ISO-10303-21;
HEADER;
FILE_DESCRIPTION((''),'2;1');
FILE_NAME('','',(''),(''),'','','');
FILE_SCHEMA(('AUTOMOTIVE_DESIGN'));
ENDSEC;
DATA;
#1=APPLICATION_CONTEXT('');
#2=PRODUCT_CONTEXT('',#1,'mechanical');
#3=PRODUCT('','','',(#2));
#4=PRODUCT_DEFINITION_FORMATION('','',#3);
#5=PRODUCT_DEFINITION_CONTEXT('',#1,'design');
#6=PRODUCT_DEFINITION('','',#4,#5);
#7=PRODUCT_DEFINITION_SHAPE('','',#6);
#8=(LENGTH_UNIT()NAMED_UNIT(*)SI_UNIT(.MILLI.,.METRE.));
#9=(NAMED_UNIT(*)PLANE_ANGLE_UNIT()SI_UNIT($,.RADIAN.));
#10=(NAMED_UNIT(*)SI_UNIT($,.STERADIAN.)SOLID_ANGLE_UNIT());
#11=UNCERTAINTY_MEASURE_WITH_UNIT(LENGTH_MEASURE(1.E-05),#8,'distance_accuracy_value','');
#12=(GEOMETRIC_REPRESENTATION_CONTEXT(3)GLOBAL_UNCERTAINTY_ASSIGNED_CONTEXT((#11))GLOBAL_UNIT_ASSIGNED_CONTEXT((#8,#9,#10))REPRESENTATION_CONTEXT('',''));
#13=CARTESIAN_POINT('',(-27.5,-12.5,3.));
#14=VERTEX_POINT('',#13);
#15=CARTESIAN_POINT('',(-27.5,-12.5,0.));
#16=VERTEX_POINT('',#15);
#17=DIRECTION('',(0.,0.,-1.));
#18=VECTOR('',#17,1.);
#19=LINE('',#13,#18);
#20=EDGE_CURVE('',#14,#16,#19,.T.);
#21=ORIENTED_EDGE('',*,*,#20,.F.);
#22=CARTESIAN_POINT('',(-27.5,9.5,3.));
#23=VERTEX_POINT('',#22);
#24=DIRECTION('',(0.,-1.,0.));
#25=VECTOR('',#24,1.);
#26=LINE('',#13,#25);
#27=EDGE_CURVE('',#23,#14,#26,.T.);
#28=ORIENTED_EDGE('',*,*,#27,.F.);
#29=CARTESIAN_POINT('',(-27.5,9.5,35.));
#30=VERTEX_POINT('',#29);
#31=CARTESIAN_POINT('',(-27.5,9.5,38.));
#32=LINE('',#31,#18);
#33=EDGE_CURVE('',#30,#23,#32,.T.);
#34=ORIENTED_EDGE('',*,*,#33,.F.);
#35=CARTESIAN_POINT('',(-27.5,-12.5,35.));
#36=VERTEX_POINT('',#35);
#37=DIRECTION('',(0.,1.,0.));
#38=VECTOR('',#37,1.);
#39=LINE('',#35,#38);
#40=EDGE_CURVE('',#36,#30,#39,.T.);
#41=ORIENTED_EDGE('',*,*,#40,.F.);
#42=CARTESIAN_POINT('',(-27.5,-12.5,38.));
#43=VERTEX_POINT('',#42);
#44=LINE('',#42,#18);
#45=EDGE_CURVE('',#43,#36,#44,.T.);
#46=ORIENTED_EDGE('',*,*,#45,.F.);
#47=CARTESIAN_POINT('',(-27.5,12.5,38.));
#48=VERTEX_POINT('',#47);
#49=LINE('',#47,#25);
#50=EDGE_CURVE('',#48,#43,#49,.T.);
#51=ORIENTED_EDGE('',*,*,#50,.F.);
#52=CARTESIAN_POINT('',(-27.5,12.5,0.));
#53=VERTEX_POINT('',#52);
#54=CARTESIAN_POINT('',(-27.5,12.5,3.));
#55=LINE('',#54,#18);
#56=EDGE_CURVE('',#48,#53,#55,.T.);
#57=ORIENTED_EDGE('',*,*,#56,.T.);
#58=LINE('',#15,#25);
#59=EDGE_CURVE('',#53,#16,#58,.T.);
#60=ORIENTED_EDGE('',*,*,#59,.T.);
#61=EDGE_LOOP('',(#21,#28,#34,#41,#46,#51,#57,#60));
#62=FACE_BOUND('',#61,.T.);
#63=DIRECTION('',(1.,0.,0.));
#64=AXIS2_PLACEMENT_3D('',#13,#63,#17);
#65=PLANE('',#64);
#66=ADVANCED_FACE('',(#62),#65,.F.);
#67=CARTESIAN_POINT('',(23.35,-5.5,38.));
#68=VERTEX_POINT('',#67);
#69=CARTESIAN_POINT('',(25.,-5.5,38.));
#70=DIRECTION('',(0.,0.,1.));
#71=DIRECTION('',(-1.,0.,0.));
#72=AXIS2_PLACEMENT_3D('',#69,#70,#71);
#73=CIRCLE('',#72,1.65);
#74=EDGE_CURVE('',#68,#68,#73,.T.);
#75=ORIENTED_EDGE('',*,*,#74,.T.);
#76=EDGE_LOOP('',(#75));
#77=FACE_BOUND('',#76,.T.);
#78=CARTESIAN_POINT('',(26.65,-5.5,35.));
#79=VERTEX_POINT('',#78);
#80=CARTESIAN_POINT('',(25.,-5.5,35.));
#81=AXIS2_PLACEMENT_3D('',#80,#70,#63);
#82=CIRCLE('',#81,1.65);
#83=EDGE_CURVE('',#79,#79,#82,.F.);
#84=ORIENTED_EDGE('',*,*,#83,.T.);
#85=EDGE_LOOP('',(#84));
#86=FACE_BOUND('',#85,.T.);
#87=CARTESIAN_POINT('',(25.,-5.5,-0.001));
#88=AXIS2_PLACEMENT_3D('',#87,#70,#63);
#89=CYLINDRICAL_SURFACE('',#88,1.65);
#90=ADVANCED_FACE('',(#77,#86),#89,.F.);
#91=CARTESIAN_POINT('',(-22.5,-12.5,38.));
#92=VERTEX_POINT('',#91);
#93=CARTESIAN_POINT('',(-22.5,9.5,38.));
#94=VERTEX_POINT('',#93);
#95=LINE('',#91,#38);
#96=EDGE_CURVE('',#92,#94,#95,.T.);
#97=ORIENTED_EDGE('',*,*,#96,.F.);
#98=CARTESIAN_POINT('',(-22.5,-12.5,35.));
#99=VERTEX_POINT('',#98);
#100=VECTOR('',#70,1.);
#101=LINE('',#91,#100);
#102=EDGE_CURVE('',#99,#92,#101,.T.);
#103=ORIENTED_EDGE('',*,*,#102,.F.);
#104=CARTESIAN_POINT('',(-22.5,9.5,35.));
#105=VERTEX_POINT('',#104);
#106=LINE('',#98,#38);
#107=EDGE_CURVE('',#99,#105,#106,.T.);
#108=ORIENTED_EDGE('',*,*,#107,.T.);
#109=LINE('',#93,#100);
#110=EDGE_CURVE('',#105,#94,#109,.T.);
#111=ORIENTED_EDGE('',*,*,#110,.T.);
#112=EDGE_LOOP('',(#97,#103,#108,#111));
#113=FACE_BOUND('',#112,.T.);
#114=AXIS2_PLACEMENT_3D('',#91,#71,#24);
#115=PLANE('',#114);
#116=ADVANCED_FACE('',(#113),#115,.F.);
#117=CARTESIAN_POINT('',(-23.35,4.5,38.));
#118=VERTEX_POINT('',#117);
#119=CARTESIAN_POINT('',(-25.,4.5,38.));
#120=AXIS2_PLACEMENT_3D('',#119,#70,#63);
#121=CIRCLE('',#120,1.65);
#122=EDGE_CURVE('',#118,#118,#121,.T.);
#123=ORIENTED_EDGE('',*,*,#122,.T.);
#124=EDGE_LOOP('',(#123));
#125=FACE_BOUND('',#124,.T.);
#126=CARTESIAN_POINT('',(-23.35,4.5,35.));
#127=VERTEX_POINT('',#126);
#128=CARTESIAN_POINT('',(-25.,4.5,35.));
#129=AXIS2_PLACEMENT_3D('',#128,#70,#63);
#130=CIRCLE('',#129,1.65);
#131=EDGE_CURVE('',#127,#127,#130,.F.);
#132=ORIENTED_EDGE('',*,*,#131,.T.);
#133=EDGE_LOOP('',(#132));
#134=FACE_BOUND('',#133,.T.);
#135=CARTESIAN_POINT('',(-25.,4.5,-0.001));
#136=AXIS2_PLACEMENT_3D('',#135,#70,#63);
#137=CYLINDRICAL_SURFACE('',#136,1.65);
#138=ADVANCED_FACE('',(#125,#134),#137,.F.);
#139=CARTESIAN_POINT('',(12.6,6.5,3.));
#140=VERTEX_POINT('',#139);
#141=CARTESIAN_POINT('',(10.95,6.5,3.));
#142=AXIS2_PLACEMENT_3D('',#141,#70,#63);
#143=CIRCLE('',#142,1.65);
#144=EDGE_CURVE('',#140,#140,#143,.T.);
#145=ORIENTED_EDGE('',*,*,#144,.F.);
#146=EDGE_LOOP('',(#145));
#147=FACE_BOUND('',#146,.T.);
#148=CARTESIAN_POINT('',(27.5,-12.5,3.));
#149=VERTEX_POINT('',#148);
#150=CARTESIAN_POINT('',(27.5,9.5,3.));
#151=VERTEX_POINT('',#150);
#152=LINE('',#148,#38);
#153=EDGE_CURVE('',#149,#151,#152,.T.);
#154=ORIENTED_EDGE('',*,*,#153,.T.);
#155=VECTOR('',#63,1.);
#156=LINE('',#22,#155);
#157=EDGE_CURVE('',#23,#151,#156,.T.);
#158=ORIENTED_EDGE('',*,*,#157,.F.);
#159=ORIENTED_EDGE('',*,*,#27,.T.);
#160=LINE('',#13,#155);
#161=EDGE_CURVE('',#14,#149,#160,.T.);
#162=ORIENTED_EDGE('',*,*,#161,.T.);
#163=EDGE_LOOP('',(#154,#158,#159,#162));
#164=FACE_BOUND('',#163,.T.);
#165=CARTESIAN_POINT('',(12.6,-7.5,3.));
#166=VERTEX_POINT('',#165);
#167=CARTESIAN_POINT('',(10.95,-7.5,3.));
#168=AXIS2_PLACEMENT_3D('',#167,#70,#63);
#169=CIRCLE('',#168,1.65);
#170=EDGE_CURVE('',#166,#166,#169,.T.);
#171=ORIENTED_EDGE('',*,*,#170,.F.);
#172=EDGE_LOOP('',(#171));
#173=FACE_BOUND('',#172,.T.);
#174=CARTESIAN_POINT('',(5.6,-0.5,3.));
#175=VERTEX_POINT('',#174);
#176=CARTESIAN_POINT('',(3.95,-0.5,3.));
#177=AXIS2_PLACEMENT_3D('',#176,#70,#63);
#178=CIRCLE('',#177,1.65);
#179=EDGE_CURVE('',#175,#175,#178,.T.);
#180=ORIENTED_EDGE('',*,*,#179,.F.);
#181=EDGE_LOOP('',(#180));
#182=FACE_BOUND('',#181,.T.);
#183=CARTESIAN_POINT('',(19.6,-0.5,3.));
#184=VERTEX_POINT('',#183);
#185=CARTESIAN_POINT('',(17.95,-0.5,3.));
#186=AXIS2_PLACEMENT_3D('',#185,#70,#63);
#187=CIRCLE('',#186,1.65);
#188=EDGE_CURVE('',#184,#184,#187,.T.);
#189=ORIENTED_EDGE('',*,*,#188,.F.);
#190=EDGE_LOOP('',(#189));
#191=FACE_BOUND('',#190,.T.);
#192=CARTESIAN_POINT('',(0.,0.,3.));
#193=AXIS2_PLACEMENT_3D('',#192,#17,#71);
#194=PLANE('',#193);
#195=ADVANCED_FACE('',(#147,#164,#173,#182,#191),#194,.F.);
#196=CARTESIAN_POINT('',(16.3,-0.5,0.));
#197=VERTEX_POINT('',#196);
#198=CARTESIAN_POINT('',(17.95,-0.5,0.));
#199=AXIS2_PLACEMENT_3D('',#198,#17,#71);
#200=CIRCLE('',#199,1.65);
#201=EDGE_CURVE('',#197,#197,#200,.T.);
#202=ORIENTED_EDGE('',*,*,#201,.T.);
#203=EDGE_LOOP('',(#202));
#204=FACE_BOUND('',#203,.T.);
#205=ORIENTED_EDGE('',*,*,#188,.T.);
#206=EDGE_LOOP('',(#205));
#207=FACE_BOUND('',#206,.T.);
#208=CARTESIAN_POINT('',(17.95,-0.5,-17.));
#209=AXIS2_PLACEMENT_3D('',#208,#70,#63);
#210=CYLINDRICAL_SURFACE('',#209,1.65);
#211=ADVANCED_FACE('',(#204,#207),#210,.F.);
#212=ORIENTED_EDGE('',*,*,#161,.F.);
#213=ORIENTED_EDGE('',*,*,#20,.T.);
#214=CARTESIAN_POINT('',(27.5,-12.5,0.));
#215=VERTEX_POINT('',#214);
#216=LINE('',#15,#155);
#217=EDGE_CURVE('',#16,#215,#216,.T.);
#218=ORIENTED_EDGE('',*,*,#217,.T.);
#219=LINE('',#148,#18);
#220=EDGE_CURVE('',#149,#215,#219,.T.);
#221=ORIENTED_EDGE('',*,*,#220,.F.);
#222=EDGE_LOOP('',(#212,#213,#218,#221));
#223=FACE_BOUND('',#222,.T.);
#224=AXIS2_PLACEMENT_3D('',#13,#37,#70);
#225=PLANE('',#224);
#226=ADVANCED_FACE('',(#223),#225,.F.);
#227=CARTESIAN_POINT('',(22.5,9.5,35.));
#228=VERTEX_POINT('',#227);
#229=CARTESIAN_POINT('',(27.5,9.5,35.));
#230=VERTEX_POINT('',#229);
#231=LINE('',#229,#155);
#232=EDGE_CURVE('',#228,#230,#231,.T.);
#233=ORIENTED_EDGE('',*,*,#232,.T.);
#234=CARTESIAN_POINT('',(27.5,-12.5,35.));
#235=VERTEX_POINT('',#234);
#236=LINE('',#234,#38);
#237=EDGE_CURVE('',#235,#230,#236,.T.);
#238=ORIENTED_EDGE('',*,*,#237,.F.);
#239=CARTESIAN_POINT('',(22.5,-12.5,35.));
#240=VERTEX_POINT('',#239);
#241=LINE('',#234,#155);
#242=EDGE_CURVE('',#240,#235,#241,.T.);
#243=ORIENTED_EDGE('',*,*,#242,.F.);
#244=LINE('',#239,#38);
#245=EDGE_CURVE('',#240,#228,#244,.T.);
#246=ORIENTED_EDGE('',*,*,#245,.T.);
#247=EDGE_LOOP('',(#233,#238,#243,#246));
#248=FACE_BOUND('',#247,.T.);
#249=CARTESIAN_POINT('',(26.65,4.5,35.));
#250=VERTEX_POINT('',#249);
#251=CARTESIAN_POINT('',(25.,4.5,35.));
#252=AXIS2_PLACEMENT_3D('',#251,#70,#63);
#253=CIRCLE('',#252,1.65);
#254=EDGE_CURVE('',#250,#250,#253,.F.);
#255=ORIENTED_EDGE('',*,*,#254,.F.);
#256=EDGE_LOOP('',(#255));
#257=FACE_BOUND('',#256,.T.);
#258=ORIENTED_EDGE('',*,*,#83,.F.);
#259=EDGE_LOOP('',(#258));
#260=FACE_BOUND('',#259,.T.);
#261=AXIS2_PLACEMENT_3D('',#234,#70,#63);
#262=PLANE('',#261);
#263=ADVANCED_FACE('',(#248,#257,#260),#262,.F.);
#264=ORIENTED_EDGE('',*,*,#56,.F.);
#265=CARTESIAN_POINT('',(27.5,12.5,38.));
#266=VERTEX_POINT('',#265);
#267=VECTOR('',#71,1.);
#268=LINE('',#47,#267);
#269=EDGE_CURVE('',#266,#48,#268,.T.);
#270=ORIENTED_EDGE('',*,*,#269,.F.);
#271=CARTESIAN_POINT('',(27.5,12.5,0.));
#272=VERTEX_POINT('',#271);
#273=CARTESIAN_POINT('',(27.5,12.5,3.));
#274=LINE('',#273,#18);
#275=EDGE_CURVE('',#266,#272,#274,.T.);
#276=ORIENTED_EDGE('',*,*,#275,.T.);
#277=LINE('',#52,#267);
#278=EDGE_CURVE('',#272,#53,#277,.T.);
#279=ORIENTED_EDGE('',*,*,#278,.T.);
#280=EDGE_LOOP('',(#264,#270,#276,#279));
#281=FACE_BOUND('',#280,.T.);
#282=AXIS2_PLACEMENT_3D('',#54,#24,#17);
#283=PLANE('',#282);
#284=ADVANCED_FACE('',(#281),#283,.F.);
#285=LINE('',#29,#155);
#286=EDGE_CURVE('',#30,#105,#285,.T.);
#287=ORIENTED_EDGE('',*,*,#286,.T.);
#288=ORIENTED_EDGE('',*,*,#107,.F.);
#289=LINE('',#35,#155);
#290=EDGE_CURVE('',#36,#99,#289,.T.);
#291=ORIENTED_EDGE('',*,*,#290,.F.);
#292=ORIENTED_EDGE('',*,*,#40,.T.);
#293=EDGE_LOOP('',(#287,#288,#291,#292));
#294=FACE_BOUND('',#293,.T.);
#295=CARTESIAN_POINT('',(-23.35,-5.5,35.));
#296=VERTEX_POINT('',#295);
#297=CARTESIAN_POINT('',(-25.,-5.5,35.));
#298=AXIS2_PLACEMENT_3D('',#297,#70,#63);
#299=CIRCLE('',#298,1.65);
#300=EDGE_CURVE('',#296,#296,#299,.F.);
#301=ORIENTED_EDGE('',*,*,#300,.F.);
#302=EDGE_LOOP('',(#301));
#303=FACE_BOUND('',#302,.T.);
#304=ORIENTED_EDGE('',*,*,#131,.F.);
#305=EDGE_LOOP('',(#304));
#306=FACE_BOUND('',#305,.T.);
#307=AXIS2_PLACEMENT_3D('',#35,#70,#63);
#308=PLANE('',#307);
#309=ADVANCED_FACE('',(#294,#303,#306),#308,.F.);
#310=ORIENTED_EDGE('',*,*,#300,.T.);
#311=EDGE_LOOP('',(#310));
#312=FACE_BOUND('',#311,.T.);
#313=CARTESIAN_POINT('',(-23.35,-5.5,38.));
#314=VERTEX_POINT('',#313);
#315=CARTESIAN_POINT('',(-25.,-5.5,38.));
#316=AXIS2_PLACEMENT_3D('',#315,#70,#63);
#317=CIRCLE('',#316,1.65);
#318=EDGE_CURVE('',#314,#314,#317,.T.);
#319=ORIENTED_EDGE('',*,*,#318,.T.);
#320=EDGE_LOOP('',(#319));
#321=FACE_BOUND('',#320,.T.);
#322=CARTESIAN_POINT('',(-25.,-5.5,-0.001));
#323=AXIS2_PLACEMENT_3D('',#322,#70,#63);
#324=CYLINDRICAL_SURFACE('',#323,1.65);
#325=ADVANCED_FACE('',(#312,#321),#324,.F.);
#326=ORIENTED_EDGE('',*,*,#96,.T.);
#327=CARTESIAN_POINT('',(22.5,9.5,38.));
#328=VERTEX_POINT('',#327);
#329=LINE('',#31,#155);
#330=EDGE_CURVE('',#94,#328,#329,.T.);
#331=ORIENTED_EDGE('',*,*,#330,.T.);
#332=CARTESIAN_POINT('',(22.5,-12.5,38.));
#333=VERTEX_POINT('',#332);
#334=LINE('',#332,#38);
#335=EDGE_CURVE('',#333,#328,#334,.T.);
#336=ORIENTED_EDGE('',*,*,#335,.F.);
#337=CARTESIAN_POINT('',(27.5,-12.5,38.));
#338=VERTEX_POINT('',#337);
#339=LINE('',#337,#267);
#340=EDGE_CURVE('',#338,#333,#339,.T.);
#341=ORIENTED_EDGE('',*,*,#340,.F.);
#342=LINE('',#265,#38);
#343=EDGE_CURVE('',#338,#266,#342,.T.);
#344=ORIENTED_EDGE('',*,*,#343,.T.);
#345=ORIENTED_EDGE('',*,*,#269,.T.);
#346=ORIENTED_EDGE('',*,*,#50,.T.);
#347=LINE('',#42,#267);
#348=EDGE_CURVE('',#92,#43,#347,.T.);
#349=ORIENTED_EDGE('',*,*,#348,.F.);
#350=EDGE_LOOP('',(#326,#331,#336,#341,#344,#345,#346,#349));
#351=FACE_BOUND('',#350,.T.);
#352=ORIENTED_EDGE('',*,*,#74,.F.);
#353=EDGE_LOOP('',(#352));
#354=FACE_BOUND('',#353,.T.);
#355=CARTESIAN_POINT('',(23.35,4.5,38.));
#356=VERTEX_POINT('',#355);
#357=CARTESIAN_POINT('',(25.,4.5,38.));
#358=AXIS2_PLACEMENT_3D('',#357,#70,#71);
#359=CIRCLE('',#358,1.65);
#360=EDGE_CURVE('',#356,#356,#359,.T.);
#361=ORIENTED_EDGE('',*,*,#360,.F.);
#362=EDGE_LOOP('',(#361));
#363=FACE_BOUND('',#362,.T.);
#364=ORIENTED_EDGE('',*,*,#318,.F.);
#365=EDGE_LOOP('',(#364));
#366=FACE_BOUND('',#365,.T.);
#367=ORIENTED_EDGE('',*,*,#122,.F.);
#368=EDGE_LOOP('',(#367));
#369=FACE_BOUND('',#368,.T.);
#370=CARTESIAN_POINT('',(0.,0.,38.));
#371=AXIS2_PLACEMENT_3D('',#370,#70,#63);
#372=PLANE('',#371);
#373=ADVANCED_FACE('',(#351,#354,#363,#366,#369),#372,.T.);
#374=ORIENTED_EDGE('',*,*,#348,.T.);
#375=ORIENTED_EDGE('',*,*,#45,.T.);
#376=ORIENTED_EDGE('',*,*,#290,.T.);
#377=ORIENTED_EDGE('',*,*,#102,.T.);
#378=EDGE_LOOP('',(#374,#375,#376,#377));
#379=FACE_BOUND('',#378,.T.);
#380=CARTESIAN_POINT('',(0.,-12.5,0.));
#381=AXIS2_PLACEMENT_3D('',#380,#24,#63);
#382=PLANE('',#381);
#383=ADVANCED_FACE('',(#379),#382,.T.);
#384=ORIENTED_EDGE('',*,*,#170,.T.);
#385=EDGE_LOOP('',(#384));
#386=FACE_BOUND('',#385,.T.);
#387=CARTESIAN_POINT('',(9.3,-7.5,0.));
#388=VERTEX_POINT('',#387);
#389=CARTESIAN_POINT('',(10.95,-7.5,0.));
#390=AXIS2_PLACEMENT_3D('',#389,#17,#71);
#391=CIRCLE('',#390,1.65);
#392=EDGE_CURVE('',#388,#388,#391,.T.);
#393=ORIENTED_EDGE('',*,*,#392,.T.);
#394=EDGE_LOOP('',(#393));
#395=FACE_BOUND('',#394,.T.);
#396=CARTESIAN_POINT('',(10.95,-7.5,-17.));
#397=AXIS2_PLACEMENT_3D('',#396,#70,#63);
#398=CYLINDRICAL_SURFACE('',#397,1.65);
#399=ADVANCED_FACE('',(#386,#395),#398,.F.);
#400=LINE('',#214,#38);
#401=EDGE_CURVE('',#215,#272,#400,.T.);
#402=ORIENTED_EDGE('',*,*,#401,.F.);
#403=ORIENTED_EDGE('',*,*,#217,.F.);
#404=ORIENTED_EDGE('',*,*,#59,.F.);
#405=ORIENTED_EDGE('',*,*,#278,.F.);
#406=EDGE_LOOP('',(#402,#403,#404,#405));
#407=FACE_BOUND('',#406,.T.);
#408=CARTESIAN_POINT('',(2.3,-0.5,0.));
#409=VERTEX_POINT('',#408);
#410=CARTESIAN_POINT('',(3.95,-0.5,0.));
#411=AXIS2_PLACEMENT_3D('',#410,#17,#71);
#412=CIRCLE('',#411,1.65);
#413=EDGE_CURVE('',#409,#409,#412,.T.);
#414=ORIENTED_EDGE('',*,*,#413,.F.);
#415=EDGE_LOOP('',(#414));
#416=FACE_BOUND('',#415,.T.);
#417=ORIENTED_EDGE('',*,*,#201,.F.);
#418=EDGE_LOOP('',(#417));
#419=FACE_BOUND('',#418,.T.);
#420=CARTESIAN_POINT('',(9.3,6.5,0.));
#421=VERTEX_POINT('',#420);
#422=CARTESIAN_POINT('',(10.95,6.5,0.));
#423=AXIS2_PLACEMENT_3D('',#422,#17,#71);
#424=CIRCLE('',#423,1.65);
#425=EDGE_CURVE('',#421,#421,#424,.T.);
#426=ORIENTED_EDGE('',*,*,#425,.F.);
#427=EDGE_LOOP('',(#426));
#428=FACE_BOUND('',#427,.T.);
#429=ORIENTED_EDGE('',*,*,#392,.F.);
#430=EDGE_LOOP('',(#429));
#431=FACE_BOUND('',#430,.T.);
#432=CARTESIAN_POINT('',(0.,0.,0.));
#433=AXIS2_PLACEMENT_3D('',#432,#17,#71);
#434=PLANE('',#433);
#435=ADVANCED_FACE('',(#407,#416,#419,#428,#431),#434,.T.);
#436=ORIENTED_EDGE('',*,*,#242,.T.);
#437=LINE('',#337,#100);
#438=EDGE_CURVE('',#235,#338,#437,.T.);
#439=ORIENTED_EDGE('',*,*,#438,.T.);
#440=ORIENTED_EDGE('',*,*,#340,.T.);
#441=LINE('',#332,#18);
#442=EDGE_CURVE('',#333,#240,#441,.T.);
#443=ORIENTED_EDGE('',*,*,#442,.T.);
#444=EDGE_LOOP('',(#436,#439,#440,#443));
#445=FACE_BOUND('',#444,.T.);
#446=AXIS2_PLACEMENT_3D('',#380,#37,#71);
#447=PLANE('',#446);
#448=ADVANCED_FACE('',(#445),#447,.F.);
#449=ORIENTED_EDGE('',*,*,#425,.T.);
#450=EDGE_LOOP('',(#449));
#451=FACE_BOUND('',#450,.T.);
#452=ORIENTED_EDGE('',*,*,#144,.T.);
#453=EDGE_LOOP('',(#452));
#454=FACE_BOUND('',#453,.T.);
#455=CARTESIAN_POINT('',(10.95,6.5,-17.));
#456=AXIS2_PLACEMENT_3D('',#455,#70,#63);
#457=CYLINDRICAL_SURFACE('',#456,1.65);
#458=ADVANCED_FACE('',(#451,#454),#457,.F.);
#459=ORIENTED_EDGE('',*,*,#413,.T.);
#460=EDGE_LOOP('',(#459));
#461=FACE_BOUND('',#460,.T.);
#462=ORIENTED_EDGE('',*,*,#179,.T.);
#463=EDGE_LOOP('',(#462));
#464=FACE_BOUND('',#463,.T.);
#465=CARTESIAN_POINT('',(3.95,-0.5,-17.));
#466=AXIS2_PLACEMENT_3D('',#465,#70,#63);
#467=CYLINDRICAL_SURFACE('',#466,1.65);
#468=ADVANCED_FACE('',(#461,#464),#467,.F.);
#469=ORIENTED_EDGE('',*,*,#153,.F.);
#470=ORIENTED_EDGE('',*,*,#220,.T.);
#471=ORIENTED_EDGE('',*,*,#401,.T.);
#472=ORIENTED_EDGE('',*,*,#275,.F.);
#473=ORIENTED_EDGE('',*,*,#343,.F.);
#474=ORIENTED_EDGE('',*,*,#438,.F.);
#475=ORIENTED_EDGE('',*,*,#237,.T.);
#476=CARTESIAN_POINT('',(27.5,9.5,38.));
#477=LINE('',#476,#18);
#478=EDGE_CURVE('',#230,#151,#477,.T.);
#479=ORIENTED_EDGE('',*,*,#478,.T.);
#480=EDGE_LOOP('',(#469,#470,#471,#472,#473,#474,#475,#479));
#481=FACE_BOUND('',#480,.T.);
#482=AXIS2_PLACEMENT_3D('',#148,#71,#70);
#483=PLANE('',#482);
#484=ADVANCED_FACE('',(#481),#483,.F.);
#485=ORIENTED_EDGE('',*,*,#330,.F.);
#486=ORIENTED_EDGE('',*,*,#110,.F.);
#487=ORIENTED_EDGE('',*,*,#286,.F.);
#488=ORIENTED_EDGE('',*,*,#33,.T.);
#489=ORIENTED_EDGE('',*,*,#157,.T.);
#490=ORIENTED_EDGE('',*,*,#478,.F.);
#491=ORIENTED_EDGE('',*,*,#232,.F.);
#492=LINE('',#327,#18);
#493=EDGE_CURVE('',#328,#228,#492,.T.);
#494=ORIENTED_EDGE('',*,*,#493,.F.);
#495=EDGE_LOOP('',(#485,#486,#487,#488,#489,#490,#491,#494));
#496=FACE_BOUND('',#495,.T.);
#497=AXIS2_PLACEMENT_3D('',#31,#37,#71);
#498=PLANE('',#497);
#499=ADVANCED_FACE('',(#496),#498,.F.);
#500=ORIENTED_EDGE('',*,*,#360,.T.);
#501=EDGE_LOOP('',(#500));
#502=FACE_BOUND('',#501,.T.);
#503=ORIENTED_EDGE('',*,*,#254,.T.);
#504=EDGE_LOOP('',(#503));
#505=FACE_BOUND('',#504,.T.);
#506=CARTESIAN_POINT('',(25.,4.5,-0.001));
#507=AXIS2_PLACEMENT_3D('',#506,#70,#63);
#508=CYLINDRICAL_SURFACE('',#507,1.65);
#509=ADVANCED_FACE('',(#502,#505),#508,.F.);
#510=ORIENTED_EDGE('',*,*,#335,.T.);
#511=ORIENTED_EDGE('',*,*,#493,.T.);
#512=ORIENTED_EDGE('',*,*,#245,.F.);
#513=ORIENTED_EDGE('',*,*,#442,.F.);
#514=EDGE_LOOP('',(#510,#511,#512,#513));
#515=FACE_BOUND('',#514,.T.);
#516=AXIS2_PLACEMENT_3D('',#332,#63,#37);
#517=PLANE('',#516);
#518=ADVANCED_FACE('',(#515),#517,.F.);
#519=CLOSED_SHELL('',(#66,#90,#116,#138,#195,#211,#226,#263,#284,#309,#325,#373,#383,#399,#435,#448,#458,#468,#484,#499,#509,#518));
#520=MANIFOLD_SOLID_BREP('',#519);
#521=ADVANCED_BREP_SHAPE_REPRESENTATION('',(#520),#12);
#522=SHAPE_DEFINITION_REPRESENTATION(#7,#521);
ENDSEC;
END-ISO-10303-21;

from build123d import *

# Parameters (mm, degrees)
SKETCH_1_W          = 55
SKETCH_1_H          = 25
EXTRUDE_1_DEPTH     = 3
SKETCH_2_W          = 55
SKETCH_2_H          = 3
EXTRUDE_2_DEPTH     = 35
SKETCH_3_W          = 5
SKETCH_3_H          = 3
EXTRUDE_3_DEPTH     = 22
CUT_EXTRUDE_1_REACH = 50.544
SKETCH_4_R          = 1.65
SKETCH_7_R          = 1.65
CUT_EXTRUDE_2_DEPTH = 20


with BuildPart() as part:
    # 草图1 → 凸台-拉伸1 (new body)
    with BuildSketch(Plane.XY):
        Rectangle(SKETCH_1_W, SKETCH_1_H)
    extrude(amount=EXTRUDE_1_DEPTH)

    # 草图2 → 凸台-拉伸2 (add)
    with BuildSketch(Plane.XY.offset(3)):
        with Locations((0, 11)):
            Rectangle(SKETCH_2_W, SKETCH_2_H)
    extrude(amount=EXTRUDE_2_DEPTH)

    # 草图3 → 凸台-拉伸3 (add)
    with BuildSketch(Plane.XZ.offset(-9.5)):
        with Locations((-25, 36.5)):
            Rectangle(SKETCH_3_W, SKETCH_3_H)
        with Locations((25, 36.5)):
            Rectangle(SKETCH_3_W, SKETCH_3_H)
    extrude(amount=EXTRUDE_3_DEPTH)

    # 草图4 → 切除-拉伸1 (cut, up to next)
    with BuildSketch(Plane.XY.offset(38), mode=Mode.PRIVATE) as cut_extrude_1_sk1:
        with Locations((-25, -5.5)):
            Circle(SKETCH_4_R)
    cut_extrude_1_tool1 = extrude(cut_extrude_1_sk1.sketch, amount=-CUT_EXTRUDE_1_REACH, mode=Mode.PRIVATE) & part.part
    # 草图4 → 切除-拉伸1 (cut, up to next)
    with BuildSketch(Plane.XY.offset(38), mode=Mode.PRIVATE) as cut_extrude_1_sk2:
        with Locations((-25, 4.5)):
            Circle(SKETCH_4_R)
    cut_extrude_1_tool2 = extrude(cut_extrude_1_sk2.sketch, amount=-CUT_EXTRUDE_1_REACH, mode=Mode.PRIVATE) & part.part
    # 草图4 → 切除-拉伸1 (cut, up to next)
    with BuildSketch(Plane.XY.offset(38), mode=Mode.PRIVATE) as cut_extrude_1_sk3:
        with Locations((25, 4.5)):
            Circle(SKETCH_4_R)
    cut_extrude_1_tool3 = extrude(cut_extrude_1_sk3.sketch, amount=-CUT_EXTRUDE_1_REACH, mode=Mode.PRIVATE) & part.part
    # 草图4 → 切除-拉伸1 (cut, up to next)
    with BuildSketch(Plane.XY.offset(38), mode=Mode.PRIVATE) as cut_extrude_1_sk4:
        with Locations((25, -5.5)):
            Circle(SKETCH_4_R)
    cut_extrude_1_tool4 = extrude(cut_extrude_1_sk4.sketch, amount=-CUT_EXTRUDE_1_REACH, mode=Mode.PRIVATE) & part.part
    add(cut_extrude_1_tool1.solids().sort_by_distance((-25, -5.5, 38))[0], mode=Mode.SUBTRACT)
    add(cut_extrude_1_tool2.solids().sort_by_distance((-25, 4.5, 38))[0], mode=Mode.SUBTRACT)
    add(cut_extrude_1_tool3.solids().sort_by_distance((25, 4.5, 38))[0], mode=Mode.SUBTRACT)
    add(cut_extrude_1_tool4.solids().sort_by_distance((25, -5.5, 38))[0], mode=Mode.SUBTRACT)

    # 草图7 → 切除-拉伸2 (cut)
    with BuildSketch(Plane.XY.offset(3)):
        with Locations((17.95, -0.5)):
            Circle(SKETCH_7_R)
        with Locations((10.95, 6.5)):
            Circle(SKETCH_7_R)
        with Locations((3.95, -0.5)):
            Circle(SKETCH_7_R)
        with Locations((10.95, -7.5)):
            Circle(SKETCH_7_R)
    extrude(amount=-CUT_EXTRUDE_2_DEPTH, mode=Mode.SUBTRACT)


solid = part.part
